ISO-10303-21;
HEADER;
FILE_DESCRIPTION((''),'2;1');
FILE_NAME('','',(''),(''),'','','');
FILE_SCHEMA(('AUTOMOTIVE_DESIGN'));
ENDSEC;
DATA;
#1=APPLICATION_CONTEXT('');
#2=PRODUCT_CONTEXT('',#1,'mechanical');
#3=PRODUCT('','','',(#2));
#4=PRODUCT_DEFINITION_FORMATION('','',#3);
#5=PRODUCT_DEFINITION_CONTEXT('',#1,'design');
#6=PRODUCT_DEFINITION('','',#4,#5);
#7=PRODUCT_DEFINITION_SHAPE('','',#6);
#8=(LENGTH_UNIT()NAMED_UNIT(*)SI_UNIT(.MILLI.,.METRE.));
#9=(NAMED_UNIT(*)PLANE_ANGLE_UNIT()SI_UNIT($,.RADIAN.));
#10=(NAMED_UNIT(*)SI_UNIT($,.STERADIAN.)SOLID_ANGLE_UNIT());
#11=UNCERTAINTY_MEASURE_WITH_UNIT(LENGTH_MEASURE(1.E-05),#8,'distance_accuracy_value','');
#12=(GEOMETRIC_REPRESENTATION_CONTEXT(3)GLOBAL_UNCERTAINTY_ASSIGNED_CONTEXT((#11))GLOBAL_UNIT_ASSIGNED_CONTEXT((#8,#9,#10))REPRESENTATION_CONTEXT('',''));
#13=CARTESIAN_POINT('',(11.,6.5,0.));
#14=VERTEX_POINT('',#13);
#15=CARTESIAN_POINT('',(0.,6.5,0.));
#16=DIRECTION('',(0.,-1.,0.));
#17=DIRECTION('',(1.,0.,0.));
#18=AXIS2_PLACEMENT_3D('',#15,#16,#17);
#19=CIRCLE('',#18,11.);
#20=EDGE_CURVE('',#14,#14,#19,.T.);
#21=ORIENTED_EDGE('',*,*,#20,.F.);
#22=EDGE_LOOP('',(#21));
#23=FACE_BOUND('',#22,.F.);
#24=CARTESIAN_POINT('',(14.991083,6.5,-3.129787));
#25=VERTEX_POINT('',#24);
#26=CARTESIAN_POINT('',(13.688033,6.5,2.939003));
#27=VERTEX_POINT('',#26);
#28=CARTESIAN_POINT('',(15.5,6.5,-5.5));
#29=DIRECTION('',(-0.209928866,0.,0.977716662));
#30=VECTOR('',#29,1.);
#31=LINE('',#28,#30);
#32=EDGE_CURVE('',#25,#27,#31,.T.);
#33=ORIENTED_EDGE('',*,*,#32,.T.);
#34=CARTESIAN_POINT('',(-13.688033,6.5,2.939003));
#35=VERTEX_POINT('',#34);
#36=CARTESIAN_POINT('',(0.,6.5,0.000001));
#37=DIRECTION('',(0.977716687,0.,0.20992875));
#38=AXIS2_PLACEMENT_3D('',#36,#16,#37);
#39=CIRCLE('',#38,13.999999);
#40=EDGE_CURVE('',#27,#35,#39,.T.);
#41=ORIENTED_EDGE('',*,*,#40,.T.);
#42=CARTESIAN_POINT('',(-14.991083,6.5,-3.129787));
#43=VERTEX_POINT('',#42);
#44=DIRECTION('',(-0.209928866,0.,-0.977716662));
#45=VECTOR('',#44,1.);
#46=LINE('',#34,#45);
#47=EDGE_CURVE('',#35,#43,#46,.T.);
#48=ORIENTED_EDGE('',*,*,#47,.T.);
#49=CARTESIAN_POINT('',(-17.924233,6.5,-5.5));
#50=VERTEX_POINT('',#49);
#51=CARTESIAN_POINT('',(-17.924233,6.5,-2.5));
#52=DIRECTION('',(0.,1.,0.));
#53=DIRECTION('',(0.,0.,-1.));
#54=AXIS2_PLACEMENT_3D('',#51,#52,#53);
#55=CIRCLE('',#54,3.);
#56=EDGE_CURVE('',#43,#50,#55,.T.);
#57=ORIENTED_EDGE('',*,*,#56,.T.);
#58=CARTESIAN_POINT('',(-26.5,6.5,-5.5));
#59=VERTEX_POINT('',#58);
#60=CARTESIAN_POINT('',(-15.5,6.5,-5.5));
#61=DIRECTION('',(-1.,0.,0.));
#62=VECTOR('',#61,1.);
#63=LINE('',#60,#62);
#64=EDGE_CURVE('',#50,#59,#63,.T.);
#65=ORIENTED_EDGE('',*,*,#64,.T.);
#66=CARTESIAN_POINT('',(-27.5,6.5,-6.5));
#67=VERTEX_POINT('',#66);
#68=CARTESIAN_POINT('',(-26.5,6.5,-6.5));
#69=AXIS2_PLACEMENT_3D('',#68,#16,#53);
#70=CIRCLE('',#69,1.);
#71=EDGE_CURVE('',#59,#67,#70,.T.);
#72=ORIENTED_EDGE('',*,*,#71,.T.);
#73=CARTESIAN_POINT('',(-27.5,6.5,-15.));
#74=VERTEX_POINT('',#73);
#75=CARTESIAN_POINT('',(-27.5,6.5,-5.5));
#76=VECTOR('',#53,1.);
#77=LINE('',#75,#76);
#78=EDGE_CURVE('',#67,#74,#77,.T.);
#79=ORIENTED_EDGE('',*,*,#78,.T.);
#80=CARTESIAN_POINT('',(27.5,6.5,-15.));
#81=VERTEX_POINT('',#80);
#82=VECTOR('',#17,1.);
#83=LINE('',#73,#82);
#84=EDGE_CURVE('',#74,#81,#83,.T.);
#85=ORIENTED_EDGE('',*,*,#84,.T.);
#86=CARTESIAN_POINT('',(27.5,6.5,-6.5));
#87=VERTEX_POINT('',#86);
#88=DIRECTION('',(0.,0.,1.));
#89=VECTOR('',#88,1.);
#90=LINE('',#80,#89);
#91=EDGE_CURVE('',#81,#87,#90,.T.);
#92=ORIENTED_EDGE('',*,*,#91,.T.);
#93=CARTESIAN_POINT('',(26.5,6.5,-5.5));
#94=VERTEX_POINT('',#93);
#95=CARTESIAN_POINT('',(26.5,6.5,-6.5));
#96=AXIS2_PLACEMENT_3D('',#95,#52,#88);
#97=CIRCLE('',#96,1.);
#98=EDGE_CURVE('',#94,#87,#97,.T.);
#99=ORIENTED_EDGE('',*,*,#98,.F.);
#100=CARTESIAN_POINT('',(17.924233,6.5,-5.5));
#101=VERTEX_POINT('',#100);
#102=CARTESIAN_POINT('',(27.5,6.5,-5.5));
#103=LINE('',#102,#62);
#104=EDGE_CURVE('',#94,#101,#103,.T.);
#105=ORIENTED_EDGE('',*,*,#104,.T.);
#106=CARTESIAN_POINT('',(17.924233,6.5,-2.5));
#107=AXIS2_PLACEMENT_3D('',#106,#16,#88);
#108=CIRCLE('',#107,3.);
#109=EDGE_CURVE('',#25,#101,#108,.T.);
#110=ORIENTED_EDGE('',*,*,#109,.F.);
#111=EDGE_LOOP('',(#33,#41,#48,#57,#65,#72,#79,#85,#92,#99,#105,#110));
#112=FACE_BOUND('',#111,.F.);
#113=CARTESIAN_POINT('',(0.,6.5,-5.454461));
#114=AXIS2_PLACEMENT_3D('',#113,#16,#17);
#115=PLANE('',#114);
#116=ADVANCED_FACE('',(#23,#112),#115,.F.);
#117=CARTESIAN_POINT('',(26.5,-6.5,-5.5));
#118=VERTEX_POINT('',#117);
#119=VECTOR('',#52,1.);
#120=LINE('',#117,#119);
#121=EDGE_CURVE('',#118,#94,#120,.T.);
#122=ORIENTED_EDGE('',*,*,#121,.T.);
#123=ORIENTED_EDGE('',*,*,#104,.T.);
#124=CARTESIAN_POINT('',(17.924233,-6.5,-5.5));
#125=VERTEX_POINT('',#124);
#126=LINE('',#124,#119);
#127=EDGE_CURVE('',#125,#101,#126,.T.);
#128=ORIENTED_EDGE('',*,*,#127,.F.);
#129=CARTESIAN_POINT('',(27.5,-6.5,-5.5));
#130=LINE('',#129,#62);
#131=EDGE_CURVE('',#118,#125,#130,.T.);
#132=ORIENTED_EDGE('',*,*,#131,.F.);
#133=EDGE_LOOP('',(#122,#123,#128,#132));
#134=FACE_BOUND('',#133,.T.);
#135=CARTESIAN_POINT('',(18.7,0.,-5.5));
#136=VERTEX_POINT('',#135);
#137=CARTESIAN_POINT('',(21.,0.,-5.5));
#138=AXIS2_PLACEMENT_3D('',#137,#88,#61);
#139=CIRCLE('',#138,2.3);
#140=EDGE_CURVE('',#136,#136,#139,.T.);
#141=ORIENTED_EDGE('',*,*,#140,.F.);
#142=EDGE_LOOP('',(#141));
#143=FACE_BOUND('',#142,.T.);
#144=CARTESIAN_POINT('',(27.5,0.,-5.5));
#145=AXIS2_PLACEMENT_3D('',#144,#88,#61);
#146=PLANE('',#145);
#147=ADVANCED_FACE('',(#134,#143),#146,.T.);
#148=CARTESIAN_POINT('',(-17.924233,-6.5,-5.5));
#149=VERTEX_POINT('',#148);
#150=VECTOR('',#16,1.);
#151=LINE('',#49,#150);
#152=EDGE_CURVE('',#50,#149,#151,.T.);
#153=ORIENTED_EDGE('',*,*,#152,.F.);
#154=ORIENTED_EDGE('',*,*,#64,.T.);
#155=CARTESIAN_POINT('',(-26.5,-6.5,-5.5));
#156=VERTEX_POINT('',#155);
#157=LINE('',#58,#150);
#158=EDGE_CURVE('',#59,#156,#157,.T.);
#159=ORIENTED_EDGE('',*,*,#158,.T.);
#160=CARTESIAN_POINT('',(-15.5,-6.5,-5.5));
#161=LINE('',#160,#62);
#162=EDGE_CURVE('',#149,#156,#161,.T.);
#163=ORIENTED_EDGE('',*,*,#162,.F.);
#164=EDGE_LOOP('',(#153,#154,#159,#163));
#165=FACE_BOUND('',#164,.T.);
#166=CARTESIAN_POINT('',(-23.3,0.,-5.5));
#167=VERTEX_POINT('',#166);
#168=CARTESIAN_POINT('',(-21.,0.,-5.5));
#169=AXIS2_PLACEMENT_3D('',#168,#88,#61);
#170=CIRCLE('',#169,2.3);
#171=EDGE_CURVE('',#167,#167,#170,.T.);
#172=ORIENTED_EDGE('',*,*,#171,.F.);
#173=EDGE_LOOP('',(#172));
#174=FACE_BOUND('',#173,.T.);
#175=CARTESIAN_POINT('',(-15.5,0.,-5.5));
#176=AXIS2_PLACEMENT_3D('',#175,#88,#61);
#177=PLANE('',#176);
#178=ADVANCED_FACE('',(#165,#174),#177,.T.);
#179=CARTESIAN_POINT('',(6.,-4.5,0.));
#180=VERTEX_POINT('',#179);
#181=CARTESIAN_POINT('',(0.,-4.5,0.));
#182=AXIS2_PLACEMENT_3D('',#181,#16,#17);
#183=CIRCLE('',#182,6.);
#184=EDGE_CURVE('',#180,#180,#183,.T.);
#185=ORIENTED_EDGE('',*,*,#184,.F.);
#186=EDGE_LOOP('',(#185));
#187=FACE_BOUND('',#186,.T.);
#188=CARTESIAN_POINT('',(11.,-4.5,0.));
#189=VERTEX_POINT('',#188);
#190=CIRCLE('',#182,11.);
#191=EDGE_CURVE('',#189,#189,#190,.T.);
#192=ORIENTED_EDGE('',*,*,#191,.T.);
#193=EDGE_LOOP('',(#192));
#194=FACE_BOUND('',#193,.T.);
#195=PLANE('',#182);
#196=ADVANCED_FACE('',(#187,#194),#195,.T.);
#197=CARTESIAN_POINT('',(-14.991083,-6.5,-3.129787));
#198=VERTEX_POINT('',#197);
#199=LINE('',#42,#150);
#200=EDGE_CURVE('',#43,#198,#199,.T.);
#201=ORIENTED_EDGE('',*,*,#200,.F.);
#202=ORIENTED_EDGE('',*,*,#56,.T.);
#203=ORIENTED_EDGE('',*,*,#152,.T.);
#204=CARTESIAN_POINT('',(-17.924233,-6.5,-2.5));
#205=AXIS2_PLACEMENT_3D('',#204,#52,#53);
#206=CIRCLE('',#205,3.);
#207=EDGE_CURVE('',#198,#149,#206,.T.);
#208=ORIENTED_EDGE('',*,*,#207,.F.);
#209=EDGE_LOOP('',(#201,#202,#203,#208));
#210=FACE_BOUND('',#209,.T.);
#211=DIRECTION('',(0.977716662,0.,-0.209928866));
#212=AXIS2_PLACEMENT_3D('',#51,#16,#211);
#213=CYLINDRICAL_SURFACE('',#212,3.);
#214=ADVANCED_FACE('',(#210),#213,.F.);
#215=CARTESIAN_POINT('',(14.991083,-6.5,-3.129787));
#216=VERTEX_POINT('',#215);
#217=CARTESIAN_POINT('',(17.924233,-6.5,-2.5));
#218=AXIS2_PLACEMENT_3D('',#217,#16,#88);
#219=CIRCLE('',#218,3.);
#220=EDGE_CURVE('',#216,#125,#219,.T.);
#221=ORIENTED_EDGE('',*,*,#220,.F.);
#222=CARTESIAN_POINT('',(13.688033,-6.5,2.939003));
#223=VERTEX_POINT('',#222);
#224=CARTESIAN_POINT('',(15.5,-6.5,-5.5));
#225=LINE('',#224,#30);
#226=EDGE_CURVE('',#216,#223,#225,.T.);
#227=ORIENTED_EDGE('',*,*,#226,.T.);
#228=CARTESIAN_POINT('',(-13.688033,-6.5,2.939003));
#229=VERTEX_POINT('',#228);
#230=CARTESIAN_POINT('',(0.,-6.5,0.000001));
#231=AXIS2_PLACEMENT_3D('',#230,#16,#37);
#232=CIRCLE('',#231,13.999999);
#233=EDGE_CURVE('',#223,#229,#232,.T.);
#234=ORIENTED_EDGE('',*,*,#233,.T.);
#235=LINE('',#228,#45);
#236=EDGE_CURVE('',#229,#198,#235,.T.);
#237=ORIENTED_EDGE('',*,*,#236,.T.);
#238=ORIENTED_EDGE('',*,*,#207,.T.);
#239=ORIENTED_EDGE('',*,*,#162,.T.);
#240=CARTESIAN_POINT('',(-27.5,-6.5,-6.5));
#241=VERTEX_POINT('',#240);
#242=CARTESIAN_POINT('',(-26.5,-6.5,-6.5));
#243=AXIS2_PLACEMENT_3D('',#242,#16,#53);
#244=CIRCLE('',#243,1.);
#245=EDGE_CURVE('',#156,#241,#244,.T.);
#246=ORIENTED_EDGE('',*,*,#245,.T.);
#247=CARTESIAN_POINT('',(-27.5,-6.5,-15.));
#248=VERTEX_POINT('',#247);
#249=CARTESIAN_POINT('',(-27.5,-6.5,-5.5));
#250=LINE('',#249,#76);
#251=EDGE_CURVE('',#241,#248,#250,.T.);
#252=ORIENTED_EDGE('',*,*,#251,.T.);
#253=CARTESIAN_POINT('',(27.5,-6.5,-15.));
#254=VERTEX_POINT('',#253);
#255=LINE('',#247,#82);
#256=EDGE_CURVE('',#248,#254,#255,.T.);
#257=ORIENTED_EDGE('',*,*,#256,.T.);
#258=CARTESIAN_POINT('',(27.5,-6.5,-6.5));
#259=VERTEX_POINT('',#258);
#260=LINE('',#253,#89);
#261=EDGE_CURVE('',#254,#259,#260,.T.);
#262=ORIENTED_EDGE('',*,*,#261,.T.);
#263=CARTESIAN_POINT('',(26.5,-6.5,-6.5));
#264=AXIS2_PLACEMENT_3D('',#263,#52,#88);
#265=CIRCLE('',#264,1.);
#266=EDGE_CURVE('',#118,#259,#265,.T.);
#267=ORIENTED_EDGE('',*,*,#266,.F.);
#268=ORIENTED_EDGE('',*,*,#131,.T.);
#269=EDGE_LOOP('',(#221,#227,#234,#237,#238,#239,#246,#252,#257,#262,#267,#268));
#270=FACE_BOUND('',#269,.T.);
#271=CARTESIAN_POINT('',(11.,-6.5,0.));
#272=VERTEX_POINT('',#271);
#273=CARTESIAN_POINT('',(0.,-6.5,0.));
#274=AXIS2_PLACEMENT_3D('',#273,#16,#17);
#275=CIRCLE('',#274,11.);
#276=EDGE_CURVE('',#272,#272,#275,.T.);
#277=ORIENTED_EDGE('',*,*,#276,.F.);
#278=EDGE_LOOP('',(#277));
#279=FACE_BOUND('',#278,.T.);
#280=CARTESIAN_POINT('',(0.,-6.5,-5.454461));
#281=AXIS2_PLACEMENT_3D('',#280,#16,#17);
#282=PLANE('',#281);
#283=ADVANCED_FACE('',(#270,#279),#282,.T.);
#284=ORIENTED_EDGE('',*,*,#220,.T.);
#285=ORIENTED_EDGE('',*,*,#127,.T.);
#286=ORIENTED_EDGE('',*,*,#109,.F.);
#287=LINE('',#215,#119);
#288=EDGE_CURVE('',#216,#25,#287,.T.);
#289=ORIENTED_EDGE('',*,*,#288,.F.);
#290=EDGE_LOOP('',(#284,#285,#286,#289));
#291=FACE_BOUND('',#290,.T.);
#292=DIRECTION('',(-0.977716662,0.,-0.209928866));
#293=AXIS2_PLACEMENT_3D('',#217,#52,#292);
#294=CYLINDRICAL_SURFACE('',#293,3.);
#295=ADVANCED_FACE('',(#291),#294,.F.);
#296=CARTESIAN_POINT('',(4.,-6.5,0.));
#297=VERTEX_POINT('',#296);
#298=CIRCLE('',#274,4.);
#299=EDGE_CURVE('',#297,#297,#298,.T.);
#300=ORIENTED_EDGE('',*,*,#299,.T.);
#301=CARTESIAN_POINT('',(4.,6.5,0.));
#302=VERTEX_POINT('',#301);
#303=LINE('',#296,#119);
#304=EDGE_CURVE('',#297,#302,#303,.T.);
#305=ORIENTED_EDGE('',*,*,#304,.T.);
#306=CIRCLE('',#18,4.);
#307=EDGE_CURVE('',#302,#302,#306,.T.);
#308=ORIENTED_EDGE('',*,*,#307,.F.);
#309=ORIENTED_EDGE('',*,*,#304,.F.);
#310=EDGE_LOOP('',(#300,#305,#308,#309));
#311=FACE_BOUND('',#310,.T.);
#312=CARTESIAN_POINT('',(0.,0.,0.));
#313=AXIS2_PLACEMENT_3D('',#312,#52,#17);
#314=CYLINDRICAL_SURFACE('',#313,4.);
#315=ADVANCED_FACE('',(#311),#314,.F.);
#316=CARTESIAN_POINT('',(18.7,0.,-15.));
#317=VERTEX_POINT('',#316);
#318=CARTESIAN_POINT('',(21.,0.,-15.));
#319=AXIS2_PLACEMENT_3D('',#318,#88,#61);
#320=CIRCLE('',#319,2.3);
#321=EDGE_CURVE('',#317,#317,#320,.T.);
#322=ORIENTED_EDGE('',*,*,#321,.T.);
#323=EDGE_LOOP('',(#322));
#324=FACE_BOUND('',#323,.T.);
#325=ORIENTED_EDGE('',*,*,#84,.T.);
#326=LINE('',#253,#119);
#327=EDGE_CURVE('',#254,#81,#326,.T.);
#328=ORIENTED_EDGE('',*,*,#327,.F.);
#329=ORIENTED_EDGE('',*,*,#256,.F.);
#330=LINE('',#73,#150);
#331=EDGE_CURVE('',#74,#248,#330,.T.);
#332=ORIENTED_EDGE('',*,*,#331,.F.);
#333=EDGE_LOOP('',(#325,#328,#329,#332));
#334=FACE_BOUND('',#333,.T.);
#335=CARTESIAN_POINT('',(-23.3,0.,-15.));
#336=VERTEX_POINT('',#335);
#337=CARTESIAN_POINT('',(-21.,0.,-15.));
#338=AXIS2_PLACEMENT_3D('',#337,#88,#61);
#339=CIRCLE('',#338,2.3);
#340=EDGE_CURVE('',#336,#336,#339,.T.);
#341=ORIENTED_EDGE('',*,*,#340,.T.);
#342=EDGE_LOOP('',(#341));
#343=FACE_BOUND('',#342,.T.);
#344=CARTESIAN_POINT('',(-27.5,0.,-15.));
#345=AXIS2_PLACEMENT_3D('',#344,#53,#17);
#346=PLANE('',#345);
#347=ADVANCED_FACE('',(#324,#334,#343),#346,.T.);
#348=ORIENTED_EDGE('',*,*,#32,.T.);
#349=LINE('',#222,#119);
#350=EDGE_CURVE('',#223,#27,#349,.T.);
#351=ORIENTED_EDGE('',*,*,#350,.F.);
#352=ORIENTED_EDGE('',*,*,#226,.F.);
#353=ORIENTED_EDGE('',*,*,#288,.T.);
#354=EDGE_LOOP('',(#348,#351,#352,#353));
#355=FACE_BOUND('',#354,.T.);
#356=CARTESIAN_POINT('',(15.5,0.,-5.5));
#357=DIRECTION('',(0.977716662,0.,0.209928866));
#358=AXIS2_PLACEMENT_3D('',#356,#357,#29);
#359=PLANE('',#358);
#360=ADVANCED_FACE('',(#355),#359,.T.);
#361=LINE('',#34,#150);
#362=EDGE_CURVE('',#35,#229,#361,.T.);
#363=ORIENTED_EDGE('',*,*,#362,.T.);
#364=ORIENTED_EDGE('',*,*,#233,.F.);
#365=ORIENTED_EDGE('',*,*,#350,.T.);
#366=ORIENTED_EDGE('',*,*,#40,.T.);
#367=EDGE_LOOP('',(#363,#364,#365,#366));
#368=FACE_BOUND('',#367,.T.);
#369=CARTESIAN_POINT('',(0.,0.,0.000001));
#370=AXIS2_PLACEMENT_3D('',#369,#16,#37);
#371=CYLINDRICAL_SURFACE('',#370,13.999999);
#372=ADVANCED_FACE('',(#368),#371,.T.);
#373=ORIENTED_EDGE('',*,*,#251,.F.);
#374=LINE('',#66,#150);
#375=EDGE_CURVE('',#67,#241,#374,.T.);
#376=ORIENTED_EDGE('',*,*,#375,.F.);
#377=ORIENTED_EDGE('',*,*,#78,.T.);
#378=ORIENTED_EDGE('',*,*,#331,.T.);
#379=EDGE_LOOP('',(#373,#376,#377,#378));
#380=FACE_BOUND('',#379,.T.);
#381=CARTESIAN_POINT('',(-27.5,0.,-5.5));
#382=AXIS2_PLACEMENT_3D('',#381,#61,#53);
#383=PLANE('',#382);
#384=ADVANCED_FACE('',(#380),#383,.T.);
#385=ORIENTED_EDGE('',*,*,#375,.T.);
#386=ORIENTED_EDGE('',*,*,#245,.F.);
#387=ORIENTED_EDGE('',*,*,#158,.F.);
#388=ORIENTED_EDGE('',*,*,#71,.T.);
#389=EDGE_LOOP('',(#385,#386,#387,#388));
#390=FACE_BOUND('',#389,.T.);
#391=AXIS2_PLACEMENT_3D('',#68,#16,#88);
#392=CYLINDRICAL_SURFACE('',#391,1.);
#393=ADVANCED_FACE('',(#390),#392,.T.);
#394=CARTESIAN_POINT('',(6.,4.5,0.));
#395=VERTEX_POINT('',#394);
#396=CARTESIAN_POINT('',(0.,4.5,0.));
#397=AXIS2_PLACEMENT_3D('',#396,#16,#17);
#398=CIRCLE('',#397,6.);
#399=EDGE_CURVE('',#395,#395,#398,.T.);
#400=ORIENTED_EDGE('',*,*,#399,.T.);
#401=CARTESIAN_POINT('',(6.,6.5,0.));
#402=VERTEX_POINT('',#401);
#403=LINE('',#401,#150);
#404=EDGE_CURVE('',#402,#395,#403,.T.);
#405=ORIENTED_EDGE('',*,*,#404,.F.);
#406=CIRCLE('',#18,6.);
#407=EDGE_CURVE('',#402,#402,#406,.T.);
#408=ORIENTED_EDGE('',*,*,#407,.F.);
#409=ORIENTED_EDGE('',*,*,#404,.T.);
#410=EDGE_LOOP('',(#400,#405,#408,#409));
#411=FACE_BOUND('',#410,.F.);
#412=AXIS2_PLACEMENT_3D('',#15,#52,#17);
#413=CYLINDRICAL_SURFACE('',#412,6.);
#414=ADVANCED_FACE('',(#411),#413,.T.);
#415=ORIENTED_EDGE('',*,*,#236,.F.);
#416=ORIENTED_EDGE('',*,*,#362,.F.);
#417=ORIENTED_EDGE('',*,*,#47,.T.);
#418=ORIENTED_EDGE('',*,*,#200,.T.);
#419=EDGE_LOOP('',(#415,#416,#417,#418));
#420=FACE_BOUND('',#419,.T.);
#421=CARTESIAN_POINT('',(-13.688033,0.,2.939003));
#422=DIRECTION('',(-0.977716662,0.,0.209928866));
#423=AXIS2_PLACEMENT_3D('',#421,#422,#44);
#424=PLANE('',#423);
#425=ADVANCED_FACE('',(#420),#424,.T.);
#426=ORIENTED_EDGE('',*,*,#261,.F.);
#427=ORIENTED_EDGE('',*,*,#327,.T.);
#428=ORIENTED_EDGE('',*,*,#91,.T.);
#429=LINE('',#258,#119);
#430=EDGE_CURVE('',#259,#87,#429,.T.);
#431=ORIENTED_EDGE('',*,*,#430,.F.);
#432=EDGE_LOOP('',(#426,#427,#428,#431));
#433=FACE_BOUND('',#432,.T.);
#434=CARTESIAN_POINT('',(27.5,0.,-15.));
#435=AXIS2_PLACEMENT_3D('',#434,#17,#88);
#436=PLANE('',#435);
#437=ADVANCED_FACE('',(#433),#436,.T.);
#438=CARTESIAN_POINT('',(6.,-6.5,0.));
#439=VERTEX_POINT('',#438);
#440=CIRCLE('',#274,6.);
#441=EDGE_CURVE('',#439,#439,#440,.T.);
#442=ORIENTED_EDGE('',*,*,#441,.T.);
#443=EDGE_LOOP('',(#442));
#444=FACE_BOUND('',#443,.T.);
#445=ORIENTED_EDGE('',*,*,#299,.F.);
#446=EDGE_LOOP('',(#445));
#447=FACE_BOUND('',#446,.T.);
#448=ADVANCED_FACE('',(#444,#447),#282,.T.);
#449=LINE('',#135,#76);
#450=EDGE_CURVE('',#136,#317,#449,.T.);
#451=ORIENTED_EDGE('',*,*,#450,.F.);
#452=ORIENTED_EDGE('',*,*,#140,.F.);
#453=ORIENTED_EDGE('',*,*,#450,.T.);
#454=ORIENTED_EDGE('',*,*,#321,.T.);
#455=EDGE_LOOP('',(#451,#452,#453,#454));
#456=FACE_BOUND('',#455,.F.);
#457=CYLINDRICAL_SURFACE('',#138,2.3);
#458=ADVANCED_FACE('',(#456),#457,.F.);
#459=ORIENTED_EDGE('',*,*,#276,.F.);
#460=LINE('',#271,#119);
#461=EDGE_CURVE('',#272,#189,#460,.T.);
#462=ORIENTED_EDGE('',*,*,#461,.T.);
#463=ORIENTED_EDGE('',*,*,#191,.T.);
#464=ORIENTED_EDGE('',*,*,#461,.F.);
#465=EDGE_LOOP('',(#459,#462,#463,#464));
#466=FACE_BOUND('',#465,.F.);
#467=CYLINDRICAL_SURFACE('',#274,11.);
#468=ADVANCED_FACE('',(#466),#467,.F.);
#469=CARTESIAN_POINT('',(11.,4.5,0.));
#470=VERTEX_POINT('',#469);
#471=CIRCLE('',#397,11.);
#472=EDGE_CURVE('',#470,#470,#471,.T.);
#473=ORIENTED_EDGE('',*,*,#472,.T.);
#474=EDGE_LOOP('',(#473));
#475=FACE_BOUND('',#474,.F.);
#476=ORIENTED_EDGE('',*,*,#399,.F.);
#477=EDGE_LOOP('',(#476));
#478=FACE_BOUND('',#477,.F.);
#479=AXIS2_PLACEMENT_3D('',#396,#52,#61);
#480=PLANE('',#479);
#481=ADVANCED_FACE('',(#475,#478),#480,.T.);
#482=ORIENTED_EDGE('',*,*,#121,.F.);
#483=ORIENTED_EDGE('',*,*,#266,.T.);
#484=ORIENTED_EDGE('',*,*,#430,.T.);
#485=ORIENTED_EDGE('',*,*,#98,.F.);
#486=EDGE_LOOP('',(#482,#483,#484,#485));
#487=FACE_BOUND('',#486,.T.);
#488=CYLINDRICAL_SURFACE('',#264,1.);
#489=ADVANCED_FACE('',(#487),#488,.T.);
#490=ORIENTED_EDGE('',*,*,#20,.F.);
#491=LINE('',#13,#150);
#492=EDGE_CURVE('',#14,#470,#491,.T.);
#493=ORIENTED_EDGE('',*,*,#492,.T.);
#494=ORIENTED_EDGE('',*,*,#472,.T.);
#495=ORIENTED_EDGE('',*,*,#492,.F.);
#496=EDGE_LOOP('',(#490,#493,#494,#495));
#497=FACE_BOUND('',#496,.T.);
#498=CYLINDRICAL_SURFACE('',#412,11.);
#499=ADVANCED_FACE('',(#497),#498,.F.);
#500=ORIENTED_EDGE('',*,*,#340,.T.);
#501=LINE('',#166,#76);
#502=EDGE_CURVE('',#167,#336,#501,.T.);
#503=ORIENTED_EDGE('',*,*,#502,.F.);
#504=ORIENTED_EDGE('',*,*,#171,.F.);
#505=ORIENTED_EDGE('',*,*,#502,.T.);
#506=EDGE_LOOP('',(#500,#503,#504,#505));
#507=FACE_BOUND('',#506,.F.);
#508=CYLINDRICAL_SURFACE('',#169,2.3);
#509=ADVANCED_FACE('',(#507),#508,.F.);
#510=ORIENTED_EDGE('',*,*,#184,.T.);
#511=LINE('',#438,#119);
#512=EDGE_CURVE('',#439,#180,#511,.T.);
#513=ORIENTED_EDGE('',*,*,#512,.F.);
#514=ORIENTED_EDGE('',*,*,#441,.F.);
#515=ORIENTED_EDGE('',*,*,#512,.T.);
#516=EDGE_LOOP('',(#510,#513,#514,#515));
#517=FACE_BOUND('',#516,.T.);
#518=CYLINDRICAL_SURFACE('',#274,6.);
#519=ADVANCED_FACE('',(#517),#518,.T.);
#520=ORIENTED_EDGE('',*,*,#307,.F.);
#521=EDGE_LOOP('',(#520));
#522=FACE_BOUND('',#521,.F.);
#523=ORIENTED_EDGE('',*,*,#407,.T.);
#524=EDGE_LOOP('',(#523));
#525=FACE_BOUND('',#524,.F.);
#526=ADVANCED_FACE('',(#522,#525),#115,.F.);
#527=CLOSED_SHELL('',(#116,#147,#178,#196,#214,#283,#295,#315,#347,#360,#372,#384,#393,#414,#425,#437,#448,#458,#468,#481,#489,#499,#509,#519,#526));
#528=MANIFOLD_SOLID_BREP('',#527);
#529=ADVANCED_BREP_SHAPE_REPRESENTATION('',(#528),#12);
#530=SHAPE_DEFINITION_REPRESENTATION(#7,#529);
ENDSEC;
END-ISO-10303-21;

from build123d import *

# Parameters (mm, degrees)
SKETCH_R      = 4
PAD_DEPTH     = 6.5
SKETCH001_R   = 11
SKETCH001_R_2 = 6
POCKET_DEPTH  = 2
FILLET_R      = 3
FILLET001_R   = 1
SKETCH002_R   = 2.3
HOLE_DEPTH    = 25


with BuildPart() as part:
    # Sketch → Pad (new body, symmetric)
    with BuildSketch(Plane.XZ):
        with BuildLine():
            ThreePointArc((13.688033, 2.939003), (0, 14), (-13.688033, 2.939003))
            Line((-13.688033, 2.939003), (-15.5, -5.5))
            Line((-15.5, -5.5), (-27.5, -5.5))
            Line((-27.5, -5.5), (-27.5, -15))
            Line((-27.5, -15), (27.5, -15))
            Line((27.5, -15), (27.5, -5.5))
            Line((27.5, -5.5), (15.5, -5.5))
            Line((15.5, -5.5), (13.688033, 2.939003))
        make_face()
        Circle(SKETCH_R, mode=Mode.SUBTRACT)
    extrude(amount=PAD_DEPTH, both=True)

    # Sketch001 (on Face11 of Pad) → Pocket (cut)
    with BuildSketch(Plane.XZ.offset(6.5)):
        Circle(SKETCH001_R)
        Circle(SKETCH001_R_2, mode=Mode.SUBTRACT)
    pocket = extrude(amount=-POCKET_DEPTH, mode=Mode.SUBTRACT)

    # Mirrored: Pocket across XZ
    add(pocket.mirror(Plane.XZ), mode=Mode.SUBTRACT)

    # Fillet
    fillet_edges = [part.edges().sort_by_distance(p)[0] for p in [
        (15.5, 0, -5.5),
        (-15.5, 0, -5.5),
    ]]
    fillet(fillet_edges, radius=FILLET_R)

    # Fillet001
    fillet001_edges = [part.edges().sort_by_distance(p)[0] for p in [
        (-27.5, 0, -5.5),
        (27.5, 0, -5.5),
    ]]
    fillet(fillet001_edges, radius=FILLET001_R)

    # Sketch002 (on Face13 of Fillet001) → Hole (cut)
    with BuildSketch(Plane(origin=(0, 0, -5.5), x_dir=(-1, 0, 0), z_dir=(0, 0, 1))):
        with Locations((-21, 0)):
            Circle(SKETCH002_R)
        with Locations((21, 0)):
            Circle(SKETCH002_R)
    extrude(amount=-HOLE_DEPTH, mode=Mode.SUBTRACT)


solid = part.part
